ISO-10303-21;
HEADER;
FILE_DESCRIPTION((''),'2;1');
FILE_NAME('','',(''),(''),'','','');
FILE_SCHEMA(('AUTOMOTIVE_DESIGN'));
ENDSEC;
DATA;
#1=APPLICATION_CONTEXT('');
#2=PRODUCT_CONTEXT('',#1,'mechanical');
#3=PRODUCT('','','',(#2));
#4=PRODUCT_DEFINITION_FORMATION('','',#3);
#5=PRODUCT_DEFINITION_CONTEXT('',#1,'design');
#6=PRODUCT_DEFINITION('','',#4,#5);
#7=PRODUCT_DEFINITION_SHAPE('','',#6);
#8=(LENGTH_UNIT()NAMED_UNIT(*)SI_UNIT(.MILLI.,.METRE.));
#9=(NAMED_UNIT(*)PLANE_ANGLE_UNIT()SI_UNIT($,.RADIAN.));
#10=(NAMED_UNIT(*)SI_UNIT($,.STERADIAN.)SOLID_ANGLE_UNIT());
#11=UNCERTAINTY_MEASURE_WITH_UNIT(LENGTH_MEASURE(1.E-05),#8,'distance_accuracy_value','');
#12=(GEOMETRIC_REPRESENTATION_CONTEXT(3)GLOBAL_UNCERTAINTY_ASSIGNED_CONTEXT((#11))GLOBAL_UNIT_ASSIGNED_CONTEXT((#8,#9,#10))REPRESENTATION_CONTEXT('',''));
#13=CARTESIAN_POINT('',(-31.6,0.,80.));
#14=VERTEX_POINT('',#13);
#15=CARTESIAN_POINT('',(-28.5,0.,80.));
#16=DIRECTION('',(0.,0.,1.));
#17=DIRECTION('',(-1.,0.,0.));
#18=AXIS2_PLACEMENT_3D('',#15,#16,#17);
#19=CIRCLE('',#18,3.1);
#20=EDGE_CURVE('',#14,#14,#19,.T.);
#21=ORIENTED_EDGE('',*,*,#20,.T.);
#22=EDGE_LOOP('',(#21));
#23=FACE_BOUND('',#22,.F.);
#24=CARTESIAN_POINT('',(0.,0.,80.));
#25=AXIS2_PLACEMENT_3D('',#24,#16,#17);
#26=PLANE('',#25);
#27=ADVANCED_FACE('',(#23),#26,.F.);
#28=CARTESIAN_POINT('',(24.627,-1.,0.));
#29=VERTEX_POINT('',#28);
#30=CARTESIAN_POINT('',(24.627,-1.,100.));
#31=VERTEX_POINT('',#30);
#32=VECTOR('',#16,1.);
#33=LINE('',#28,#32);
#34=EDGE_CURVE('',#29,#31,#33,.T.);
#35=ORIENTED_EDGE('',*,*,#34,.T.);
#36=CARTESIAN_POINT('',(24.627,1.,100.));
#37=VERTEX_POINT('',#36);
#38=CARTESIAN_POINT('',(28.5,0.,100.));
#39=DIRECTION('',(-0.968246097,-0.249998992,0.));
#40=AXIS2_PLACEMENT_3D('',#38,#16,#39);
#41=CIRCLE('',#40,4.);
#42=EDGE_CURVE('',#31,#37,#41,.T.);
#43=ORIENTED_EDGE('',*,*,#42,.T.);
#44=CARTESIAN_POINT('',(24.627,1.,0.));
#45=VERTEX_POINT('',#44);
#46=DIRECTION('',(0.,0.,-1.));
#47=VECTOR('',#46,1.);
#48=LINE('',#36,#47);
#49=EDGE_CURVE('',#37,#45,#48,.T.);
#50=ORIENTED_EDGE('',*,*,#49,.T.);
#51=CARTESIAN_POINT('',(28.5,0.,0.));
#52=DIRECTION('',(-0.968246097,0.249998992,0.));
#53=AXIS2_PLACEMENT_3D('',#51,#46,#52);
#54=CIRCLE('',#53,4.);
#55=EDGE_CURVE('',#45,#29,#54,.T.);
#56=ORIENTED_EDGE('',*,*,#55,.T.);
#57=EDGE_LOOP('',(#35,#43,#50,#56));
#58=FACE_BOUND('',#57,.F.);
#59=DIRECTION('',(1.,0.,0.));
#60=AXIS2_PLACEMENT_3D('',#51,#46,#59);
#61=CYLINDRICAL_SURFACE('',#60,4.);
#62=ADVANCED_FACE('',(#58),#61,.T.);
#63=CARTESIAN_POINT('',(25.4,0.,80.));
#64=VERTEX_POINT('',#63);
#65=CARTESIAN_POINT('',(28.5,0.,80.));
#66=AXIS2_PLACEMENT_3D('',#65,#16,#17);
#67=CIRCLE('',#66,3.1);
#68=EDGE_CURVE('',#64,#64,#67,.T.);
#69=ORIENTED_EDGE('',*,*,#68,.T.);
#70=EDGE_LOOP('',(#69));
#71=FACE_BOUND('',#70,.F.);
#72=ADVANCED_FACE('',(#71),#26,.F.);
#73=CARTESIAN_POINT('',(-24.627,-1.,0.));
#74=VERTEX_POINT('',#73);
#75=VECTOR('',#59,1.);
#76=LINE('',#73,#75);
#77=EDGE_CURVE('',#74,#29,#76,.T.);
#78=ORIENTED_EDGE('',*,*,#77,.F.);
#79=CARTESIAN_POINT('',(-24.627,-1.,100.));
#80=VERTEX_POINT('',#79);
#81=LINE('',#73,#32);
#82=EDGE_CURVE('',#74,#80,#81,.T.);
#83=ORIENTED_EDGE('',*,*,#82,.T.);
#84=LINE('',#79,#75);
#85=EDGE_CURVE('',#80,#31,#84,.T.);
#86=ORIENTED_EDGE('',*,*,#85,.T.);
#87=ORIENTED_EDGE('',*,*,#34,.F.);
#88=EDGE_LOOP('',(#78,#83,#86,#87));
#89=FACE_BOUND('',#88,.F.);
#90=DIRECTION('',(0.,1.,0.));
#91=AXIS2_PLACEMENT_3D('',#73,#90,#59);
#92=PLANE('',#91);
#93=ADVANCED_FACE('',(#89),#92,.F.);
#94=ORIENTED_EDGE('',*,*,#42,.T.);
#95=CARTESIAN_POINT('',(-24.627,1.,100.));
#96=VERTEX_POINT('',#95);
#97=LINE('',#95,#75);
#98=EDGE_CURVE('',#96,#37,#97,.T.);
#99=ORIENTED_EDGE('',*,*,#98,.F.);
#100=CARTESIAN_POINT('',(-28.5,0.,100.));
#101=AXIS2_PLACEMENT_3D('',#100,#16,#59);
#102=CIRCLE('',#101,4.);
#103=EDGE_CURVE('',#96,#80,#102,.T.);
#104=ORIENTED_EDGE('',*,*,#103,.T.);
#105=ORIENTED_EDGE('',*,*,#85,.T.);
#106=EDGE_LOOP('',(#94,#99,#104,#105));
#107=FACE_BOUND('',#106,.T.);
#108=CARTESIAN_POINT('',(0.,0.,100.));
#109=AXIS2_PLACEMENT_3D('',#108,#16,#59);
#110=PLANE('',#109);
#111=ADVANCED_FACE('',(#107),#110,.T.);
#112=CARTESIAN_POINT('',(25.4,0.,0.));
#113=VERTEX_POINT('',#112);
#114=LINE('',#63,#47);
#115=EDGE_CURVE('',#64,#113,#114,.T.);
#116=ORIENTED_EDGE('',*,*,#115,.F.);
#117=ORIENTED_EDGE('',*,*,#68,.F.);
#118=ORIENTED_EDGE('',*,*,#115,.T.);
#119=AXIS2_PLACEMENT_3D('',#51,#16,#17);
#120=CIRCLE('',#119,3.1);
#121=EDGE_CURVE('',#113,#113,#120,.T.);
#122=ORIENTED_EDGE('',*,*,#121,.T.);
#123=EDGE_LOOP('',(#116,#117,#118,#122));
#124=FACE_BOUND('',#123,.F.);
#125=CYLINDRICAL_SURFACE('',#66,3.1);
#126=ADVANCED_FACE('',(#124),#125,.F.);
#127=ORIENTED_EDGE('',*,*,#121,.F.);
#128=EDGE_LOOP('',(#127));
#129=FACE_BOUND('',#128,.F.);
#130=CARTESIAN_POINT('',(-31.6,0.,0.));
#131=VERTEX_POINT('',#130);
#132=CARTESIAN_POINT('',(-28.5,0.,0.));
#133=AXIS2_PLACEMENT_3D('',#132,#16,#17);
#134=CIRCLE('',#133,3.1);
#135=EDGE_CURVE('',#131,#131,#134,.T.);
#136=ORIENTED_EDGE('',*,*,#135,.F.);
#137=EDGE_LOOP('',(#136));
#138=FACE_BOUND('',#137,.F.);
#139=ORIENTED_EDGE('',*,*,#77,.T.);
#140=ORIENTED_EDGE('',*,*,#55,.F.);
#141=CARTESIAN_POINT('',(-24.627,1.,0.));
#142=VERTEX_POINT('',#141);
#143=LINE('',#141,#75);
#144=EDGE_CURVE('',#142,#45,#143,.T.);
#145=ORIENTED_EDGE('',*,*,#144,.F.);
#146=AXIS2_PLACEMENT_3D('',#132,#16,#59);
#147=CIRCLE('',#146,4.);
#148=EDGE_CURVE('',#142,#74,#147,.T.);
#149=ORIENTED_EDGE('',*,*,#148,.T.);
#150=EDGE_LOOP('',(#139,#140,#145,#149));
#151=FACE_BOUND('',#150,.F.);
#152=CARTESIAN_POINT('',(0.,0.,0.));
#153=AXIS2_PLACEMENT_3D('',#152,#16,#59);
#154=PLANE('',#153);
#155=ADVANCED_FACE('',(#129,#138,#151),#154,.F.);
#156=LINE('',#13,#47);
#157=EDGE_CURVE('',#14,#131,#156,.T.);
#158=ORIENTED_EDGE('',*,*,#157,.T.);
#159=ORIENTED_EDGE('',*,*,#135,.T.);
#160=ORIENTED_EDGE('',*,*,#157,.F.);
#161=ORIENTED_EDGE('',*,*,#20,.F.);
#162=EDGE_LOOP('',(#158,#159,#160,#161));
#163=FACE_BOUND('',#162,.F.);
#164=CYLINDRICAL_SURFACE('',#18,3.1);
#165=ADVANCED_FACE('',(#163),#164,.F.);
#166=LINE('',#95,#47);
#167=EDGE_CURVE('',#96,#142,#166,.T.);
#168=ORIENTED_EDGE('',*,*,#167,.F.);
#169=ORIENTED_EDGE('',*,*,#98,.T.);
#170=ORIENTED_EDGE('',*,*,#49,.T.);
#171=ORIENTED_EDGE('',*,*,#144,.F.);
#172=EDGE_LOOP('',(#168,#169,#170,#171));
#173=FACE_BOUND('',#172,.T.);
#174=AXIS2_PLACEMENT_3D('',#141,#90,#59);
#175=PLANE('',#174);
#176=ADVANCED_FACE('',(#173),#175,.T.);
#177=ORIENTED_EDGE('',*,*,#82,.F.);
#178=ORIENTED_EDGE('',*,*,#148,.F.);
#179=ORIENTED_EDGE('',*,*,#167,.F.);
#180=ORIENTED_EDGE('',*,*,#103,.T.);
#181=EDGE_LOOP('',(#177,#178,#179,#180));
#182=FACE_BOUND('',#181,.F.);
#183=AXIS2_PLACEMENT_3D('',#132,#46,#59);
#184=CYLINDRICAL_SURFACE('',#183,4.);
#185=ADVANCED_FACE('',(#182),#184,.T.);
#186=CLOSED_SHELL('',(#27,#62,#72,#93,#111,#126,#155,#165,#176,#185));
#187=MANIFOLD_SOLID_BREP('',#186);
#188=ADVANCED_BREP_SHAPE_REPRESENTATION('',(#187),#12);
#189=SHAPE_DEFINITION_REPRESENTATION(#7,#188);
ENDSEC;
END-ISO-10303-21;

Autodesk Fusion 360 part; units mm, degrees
sketch "Sketch1" plane through (0, 0, 0) normal (0, 0, 1) x (1, 0, 0)
  circle A0 centre (0, 0) radius 3
  dimension "d1" = 6
extrude "Extrude1" add sketch "Sketch1" along normal blind 100
thread "Thread1" thread offset 0 thread length 10

Autodesk Fusion 360 part; units mm, degrees
sketch "Sketch1" plane through (0, 0, 0) normal (0, 0, 1) x (1, 0, 0)
  circle A0 centre (-28.5, 0) radius 4
  circle A1 centre (28.5, 0) radius 4
  line L0 (-24.627, 1) -> (24.627, 1)
  line L1 (-24.627, -1) -> (24.627, -1)
  dimension "d1" = 8
  dimension "d2" = 28.5
  dimension "d3" = 8
  dimension "d4" = 28.5
  dimension "d5" = 1
  dimension "d6" = 1
extrude "Extrude1" add sketch "Sketch1" along normal blind 80
sketch "Sketch2" plane through (0, 0, 80) normal (0, 0, 1) x (-1, 0, 0)
  arc A0 (24.627, -1) -> (24.627, 1) centre (28.5, 0) ccw
  line L0 (24.627, 1) -> (-24.627, 1)
  arc A1 (-24.627, 1) -> (-24.627, -1) centre (-28.5, 0) ccw
  line L1 (-24.627, -1) -> (24.627, -1)
  circle A2 centre (28.5, 0) radius 3.1
  circle A3 centre (-28.5, 0) radius 3.1
  dimension "d9" = 6.2
  dimension "d10" = 6.2
extrude "Extrude2" cut sketch "Sketch2" against normal blind 90 contours A2 | A3
thread "Thread1" thread offset 0 thread length 10
thread "Thread2" thread offset 0 thread length 10
